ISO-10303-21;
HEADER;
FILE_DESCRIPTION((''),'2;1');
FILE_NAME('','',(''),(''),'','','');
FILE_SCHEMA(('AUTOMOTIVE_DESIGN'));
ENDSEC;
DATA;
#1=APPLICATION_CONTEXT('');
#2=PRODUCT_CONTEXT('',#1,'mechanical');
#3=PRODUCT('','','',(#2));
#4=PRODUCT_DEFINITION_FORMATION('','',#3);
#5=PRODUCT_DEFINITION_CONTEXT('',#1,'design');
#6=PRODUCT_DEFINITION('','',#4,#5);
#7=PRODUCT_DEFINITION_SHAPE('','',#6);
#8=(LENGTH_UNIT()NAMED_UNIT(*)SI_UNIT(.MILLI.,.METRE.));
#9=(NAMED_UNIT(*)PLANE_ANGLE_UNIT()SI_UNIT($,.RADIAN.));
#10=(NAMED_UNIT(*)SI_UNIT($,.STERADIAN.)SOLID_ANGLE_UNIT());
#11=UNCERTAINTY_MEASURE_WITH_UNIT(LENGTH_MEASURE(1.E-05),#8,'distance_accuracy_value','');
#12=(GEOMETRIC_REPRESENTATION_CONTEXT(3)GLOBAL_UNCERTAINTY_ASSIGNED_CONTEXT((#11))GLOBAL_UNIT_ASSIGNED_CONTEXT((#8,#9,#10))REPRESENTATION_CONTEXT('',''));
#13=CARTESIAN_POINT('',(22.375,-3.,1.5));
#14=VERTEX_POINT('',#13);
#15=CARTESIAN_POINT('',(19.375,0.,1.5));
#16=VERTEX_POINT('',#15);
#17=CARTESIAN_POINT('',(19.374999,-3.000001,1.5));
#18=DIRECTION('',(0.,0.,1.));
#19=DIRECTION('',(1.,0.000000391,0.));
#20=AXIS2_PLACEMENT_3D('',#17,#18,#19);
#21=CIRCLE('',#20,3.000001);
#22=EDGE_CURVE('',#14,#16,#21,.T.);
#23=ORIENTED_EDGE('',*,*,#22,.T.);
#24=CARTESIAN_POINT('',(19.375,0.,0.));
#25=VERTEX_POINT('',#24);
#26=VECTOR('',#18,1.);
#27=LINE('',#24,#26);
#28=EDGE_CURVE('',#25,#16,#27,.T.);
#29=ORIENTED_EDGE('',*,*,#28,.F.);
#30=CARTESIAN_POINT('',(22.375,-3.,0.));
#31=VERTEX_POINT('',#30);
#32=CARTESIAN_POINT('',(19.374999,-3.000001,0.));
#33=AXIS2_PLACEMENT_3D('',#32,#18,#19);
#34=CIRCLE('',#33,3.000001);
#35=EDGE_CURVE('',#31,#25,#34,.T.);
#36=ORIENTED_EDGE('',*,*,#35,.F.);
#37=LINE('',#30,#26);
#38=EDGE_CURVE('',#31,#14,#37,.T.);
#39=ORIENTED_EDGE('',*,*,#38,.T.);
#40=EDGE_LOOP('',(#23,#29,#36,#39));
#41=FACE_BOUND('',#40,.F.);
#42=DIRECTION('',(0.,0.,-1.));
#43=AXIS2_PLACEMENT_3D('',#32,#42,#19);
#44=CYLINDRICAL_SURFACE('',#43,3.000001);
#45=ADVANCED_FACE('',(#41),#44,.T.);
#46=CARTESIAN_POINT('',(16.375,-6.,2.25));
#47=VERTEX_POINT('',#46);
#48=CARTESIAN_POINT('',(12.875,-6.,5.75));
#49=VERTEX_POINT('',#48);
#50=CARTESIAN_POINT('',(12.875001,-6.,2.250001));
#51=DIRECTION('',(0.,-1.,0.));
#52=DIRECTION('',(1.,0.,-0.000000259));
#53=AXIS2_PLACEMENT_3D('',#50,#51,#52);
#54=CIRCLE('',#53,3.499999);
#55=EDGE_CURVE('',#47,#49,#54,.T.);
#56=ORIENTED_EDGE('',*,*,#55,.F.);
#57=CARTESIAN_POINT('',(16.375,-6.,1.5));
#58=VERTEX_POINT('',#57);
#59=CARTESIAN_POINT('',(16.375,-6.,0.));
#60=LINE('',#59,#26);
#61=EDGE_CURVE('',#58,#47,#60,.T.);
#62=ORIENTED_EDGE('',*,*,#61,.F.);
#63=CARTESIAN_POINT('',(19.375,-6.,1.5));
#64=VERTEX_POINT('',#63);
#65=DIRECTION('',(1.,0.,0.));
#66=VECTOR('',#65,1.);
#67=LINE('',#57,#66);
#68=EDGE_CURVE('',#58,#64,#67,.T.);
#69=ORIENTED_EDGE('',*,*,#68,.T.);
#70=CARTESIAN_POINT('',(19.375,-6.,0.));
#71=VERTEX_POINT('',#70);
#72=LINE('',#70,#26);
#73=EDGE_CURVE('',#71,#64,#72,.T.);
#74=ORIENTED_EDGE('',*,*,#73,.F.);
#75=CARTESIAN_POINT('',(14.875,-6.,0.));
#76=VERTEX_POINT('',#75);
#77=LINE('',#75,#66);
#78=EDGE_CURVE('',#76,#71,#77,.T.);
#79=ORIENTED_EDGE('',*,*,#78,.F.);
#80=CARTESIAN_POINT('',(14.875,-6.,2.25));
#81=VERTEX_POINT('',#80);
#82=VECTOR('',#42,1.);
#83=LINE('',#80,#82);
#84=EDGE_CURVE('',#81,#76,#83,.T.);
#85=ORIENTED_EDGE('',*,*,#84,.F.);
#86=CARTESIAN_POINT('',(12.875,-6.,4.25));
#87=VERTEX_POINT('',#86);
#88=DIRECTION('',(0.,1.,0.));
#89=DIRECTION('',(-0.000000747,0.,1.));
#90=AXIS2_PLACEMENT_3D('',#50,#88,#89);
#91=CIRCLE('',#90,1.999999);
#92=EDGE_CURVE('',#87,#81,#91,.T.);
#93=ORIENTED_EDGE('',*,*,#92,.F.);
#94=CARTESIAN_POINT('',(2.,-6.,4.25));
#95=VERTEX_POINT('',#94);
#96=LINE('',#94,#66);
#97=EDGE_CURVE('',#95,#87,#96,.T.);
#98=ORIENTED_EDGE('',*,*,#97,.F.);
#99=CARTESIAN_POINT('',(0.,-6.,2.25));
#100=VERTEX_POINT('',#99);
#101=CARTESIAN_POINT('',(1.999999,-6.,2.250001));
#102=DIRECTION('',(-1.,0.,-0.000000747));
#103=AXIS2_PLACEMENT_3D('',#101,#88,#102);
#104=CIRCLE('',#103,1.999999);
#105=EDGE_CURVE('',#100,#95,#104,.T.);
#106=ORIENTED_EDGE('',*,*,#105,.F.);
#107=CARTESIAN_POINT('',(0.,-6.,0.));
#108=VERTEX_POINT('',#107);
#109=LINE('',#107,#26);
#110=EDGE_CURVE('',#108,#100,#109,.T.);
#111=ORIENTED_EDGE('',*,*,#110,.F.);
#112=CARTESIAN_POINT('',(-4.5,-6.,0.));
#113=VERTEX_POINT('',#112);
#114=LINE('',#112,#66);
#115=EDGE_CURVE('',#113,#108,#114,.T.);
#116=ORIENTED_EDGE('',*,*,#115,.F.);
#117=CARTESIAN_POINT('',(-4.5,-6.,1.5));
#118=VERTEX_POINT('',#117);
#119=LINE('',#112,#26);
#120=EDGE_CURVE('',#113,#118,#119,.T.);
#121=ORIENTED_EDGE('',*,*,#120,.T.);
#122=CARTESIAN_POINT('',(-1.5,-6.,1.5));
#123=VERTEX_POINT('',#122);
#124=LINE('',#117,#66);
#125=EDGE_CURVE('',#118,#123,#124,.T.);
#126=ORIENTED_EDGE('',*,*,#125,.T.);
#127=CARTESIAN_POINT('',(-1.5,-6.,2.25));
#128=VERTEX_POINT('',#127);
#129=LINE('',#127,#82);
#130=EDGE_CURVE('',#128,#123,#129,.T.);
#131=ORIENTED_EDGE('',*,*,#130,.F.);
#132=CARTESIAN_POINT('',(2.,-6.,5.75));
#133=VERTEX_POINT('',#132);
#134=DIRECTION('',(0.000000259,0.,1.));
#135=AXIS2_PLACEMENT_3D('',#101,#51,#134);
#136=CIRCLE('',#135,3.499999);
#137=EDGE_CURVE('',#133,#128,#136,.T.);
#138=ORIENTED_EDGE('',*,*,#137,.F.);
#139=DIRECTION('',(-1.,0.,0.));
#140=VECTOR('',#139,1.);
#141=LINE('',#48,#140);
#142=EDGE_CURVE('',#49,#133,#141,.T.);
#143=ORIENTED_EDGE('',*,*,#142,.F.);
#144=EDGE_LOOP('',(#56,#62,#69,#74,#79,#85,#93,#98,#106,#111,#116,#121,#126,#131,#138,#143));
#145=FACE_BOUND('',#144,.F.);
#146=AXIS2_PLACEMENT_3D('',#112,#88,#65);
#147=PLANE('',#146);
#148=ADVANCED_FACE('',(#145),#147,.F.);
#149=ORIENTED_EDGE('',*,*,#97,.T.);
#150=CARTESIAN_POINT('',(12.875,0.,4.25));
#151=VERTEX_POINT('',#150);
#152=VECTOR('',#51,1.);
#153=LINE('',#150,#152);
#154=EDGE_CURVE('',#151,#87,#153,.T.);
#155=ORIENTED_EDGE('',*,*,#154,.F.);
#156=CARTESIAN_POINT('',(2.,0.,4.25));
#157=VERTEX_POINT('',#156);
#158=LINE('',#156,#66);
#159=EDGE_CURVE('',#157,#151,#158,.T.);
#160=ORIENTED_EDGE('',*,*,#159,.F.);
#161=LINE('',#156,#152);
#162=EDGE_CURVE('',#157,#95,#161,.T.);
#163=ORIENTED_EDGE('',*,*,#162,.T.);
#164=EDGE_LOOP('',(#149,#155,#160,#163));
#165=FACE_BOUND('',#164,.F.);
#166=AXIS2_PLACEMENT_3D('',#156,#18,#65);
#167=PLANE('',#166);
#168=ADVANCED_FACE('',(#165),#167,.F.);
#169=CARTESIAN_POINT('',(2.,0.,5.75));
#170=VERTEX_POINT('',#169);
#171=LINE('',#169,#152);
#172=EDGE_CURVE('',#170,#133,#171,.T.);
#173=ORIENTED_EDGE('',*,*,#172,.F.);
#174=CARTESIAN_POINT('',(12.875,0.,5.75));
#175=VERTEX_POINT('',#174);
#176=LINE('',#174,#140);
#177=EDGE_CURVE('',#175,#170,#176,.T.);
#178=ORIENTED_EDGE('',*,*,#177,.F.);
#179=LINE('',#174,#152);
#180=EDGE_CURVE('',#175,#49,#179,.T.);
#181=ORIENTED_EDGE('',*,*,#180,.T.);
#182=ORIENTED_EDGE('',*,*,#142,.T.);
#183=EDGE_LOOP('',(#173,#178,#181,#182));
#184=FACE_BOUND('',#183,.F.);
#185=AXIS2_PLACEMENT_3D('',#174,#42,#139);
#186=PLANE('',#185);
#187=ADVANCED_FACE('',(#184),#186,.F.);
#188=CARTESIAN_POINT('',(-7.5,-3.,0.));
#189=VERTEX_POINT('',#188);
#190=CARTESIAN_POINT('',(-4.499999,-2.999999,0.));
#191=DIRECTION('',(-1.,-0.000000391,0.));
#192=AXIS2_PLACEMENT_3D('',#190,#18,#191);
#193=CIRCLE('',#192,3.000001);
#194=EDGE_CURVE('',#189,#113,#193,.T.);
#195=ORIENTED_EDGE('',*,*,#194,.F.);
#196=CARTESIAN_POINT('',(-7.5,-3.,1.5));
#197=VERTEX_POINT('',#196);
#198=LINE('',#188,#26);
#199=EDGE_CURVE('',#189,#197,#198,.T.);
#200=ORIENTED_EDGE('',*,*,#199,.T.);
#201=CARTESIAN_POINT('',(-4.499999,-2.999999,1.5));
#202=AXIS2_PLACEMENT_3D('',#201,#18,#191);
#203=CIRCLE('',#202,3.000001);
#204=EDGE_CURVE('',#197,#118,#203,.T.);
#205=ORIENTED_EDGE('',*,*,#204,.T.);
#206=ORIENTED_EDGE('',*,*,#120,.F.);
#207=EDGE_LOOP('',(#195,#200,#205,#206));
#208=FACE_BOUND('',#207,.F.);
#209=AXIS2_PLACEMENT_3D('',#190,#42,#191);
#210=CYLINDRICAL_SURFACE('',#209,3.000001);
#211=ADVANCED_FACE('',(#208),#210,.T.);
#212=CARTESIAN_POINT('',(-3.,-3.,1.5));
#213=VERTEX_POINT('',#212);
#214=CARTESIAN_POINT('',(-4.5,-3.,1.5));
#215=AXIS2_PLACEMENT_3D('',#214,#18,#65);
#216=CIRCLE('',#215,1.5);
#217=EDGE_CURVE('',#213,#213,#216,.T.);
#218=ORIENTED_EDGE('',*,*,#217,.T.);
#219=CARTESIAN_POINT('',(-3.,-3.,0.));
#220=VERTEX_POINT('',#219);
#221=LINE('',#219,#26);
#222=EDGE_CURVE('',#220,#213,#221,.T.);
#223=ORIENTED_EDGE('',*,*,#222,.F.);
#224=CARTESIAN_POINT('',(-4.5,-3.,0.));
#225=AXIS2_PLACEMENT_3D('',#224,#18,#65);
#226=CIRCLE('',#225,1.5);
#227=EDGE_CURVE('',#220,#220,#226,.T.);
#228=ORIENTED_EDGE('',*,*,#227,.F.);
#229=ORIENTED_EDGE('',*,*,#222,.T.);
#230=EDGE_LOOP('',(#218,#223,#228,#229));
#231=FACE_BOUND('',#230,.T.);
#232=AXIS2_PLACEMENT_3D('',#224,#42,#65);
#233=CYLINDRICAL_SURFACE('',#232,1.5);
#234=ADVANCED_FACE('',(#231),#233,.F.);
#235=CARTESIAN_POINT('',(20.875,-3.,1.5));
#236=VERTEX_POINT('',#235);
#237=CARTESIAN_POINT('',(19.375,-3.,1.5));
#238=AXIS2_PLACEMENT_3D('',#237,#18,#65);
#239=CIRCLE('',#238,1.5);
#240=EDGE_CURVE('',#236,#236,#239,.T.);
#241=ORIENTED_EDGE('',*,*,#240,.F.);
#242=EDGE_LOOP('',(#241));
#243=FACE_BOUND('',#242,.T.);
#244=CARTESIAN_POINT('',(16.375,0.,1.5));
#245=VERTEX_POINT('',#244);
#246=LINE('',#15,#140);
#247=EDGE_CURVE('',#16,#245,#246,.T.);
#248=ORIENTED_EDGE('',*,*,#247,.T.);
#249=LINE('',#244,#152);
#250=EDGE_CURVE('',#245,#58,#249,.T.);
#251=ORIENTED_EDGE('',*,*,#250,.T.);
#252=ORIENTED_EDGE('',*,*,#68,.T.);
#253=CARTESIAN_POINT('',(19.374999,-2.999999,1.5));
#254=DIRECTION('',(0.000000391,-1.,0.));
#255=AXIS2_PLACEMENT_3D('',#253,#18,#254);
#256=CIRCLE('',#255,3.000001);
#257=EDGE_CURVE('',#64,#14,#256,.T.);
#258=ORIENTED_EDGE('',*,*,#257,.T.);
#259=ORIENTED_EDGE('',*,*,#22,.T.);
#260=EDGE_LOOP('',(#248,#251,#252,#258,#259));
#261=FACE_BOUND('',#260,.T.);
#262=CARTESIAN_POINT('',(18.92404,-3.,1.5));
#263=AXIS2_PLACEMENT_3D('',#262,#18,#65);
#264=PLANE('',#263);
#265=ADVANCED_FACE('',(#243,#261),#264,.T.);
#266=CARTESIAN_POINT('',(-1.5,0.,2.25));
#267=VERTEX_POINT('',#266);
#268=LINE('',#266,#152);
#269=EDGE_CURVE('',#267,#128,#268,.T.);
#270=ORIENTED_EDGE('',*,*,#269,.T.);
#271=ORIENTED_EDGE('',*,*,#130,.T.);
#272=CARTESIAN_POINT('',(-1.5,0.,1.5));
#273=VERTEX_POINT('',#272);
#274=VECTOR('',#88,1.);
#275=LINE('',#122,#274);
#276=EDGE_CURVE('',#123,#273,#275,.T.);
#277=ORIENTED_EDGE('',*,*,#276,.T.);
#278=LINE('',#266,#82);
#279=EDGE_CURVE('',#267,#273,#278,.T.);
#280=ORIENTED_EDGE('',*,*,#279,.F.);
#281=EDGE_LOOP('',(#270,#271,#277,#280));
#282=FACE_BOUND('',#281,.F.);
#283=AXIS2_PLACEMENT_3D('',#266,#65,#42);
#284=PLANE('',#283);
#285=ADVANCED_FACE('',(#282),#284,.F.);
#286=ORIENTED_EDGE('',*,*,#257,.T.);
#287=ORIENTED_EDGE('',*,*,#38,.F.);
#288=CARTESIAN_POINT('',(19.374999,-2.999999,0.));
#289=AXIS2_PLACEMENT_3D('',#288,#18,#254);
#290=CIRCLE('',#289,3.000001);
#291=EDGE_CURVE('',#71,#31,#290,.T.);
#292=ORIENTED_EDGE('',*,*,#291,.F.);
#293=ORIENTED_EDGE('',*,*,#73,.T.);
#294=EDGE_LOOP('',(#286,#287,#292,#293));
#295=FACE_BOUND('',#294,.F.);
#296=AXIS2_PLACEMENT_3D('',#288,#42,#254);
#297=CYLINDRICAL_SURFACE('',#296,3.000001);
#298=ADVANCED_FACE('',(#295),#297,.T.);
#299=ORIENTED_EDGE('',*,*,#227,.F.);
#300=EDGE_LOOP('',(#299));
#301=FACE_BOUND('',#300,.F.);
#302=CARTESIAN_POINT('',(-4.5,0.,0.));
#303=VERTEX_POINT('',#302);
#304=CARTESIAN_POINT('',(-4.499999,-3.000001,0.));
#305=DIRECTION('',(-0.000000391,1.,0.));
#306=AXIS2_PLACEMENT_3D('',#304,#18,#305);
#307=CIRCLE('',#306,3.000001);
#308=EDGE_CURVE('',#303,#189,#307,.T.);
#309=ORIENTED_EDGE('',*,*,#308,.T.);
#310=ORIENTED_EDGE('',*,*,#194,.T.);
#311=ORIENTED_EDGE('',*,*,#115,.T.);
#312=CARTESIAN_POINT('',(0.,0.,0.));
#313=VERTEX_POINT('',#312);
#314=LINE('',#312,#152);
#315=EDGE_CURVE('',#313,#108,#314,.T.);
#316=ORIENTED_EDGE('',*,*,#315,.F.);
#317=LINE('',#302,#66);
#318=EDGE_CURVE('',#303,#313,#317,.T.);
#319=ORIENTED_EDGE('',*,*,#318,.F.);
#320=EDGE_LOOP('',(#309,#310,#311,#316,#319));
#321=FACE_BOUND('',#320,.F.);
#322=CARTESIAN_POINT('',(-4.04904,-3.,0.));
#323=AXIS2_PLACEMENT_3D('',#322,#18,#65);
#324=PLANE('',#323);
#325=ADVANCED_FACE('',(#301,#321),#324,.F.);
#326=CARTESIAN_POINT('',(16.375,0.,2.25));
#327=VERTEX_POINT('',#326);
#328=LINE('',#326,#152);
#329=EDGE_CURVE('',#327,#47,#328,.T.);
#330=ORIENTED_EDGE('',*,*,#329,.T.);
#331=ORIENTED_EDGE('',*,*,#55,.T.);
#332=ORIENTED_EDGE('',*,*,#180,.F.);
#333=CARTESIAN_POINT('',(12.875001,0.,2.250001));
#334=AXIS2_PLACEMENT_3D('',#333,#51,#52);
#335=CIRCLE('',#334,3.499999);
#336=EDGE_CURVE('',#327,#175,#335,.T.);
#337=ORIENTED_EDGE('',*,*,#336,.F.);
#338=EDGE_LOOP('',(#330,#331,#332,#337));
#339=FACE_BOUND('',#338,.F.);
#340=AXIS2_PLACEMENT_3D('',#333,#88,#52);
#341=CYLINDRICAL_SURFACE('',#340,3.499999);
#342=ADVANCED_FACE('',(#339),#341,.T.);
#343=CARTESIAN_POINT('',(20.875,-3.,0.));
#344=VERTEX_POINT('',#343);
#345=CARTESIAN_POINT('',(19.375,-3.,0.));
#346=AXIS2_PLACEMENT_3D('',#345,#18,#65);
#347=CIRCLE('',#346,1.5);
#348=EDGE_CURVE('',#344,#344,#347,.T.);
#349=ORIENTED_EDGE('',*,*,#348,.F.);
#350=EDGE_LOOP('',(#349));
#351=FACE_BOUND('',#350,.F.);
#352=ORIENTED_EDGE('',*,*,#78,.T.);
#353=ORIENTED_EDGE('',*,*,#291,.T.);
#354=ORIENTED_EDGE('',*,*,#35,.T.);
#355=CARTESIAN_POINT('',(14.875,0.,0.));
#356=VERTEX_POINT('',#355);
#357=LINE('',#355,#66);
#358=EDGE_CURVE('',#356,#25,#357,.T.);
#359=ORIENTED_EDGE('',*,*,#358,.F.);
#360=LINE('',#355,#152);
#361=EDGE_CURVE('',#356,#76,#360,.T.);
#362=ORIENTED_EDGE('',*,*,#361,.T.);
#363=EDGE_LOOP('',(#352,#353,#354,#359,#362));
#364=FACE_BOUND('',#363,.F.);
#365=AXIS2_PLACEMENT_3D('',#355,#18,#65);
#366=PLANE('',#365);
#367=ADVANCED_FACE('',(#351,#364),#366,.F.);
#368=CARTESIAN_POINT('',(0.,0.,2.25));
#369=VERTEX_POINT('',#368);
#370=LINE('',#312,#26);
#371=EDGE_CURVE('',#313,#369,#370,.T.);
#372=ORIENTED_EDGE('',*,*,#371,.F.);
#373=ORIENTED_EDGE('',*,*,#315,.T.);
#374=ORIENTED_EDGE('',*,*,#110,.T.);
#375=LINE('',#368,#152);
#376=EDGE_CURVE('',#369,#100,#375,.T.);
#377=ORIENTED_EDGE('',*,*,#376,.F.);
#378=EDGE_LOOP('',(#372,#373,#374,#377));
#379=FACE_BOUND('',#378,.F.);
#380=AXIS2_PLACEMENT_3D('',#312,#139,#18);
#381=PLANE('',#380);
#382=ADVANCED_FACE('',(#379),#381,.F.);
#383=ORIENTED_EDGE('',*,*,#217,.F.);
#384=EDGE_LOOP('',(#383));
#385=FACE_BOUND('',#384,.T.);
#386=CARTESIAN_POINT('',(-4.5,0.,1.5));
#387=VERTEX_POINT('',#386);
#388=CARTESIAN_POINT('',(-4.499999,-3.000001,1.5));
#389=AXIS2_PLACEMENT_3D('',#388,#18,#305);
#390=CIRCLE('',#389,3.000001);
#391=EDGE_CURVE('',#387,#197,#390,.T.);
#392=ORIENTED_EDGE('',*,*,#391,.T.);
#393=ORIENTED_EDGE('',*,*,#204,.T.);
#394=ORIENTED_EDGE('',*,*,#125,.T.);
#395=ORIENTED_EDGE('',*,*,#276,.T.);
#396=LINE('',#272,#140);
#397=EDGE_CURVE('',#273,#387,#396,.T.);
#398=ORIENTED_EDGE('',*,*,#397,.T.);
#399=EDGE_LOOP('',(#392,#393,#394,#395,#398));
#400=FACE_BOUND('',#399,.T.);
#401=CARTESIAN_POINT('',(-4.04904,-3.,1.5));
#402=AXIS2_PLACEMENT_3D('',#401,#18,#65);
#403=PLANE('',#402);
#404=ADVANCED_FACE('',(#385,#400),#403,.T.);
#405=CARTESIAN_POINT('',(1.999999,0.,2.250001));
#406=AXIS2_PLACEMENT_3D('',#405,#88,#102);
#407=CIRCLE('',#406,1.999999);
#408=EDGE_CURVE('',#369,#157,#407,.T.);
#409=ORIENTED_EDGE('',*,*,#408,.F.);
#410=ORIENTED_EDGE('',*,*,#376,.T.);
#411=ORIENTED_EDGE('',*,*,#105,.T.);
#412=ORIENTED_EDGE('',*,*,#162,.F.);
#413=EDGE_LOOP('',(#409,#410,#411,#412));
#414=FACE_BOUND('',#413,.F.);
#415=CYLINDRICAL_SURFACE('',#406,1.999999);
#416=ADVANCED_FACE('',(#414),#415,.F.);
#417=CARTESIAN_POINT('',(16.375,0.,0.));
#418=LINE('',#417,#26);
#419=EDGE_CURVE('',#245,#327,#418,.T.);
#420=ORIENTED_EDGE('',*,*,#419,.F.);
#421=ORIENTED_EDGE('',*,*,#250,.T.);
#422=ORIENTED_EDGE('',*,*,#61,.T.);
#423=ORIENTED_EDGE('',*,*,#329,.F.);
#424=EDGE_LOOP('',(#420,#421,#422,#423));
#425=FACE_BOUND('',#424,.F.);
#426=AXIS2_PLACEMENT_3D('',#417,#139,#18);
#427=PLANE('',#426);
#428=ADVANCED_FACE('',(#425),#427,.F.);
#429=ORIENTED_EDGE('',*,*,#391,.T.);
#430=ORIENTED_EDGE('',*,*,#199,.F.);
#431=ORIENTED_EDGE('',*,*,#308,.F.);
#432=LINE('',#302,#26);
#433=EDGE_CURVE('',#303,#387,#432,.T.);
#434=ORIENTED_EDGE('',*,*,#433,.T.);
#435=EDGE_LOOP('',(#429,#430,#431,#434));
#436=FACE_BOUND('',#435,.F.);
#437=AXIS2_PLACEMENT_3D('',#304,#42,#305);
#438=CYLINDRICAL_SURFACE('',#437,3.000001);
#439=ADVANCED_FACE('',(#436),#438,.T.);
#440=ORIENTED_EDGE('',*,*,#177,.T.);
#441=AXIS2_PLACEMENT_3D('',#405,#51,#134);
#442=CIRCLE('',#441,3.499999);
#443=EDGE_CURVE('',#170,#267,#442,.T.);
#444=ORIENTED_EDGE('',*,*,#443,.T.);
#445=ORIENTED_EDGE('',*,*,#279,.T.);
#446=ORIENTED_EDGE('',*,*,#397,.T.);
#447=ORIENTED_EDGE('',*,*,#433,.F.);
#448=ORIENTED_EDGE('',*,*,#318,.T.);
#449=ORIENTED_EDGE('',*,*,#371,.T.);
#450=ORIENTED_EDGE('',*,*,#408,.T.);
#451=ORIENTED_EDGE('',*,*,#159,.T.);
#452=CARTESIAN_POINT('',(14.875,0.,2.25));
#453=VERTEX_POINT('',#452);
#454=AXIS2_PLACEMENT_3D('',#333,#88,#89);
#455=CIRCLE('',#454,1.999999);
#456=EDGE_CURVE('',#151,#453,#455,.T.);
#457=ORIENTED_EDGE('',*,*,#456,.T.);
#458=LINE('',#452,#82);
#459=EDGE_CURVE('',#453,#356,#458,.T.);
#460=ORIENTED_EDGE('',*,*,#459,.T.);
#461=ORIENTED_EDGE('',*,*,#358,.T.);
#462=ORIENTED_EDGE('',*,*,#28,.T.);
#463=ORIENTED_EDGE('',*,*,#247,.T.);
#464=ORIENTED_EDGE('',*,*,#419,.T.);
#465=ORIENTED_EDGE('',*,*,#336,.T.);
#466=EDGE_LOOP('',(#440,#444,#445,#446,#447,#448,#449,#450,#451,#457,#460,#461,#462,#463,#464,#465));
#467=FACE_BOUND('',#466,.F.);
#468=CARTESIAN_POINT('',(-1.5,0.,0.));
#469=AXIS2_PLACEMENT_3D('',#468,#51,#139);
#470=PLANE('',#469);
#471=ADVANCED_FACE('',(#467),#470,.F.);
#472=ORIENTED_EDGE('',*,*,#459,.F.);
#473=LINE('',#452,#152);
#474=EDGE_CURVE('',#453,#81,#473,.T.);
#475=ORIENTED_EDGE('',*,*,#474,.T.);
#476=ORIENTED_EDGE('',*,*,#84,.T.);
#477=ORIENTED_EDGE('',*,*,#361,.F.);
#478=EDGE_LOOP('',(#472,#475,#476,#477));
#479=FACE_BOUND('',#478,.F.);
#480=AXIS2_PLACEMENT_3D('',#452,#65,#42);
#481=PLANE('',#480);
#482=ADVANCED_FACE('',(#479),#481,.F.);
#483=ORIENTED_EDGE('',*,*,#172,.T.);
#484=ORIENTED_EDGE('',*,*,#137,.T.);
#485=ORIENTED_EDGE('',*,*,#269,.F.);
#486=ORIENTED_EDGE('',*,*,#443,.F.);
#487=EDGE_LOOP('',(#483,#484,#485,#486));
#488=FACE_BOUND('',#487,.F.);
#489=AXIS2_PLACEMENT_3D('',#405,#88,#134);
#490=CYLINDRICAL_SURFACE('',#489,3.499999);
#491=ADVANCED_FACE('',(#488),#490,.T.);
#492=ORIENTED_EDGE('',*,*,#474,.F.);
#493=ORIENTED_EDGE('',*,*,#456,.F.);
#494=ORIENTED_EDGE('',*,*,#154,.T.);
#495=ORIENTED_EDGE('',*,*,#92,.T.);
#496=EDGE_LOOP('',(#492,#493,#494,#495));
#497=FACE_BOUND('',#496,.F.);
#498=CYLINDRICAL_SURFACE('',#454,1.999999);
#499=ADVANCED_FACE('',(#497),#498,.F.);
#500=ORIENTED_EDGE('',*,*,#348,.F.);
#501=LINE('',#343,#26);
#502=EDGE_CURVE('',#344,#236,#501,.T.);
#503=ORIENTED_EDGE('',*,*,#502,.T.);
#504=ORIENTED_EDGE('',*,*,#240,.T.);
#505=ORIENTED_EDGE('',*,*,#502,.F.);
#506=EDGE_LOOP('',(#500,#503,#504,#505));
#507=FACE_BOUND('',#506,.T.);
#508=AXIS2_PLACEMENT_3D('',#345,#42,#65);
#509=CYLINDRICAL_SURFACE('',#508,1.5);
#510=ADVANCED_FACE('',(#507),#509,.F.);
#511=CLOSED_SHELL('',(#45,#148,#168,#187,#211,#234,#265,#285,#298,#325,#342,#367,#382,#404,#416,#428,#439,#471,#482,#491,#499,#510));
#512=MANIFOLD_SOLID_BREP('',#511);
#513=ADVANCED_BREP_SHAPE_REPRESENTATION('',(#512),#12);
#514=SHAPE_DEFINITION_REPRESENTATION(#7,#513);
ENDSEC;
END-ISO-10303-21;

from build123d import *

# Parameters (mm, degrees)
F1_DEPTH = 6
F2_R     = 1.5
F3_DEPTH = 1.5


with BuildPart() as f1:
    # F0 (on Front) → F1 (new body)
    with BuildSketch(Plane.XZ):
        with BuildLine():
            Line((-1.5, 0), (0, 0))
            Line((0, 0), (0, 2.25))
            ThreePointArc((0, 2.25), (0.585786, 3.664214), (2, 4.25))
            Line((2, 4.25), (12.875, 4.25))
            ThreePointArc((12.875, 4.25), (14.289214, 3.664214), (14.875, 2.25))
            Line((14.875, 2.25), (14.875, 0))
            Line((14.875, 0), (16.375, 0))
            Line((16.375, 0), (16.375, 2.25))
            ThreePointArc((16.375, 2.25), (15.349874, 4.724874), (12.875, 5.75))
            Line((12.875, 5.75), (2, 5.75))
            ThreePointArc((2, 5.75), (-0.474874, 4.724874), (-1.5, 2.25))
            Line((-1.5, 2.25), (-1.5, 0))
        make_face()
    extrude(amount=F1_DEPTH)

    # F2 (on Top) → F3 (join)
    with BuildSketch(Plane.XY):
        with BuildLine():
            Line((-1.5, -6), (-1.5, 0))
            Line((-1.5, 0), (-4.5, 0))
            ThreePointArc((-4.5, 0), (-6.62132, -0.87868), (-7.5, -3))
            ThreePointArc((-7.5, -3), (-6.62132, -5.12132), (-4.5, -6))
            Line((-4.5, -6), (-1.5, -6))
        make_face()
        with Locations((-4.5, -3)):
            Circle(F2_R, mode=Mode.SUBTRACT)
        with BuildLine():
            Line((16.375, 0), (16.375, -6))
            Line((16.375, -6), (19.375, -6))
            ThreePointArc((19.375, -6), (21.49632, -5.12132), (22.375, -3))
            ThreePointArc((22.375, -3), (21.49632, -0.87868), (19.375, 0))
            Line((19.375, 0), (16.375, 0))
        make_face()
        with Locations((19.375, -3)):
            Circle(F2_R, mode=Mode.SUBTRACT)
    extrude(amount=F3_DEPTH)


solid = f1.part
